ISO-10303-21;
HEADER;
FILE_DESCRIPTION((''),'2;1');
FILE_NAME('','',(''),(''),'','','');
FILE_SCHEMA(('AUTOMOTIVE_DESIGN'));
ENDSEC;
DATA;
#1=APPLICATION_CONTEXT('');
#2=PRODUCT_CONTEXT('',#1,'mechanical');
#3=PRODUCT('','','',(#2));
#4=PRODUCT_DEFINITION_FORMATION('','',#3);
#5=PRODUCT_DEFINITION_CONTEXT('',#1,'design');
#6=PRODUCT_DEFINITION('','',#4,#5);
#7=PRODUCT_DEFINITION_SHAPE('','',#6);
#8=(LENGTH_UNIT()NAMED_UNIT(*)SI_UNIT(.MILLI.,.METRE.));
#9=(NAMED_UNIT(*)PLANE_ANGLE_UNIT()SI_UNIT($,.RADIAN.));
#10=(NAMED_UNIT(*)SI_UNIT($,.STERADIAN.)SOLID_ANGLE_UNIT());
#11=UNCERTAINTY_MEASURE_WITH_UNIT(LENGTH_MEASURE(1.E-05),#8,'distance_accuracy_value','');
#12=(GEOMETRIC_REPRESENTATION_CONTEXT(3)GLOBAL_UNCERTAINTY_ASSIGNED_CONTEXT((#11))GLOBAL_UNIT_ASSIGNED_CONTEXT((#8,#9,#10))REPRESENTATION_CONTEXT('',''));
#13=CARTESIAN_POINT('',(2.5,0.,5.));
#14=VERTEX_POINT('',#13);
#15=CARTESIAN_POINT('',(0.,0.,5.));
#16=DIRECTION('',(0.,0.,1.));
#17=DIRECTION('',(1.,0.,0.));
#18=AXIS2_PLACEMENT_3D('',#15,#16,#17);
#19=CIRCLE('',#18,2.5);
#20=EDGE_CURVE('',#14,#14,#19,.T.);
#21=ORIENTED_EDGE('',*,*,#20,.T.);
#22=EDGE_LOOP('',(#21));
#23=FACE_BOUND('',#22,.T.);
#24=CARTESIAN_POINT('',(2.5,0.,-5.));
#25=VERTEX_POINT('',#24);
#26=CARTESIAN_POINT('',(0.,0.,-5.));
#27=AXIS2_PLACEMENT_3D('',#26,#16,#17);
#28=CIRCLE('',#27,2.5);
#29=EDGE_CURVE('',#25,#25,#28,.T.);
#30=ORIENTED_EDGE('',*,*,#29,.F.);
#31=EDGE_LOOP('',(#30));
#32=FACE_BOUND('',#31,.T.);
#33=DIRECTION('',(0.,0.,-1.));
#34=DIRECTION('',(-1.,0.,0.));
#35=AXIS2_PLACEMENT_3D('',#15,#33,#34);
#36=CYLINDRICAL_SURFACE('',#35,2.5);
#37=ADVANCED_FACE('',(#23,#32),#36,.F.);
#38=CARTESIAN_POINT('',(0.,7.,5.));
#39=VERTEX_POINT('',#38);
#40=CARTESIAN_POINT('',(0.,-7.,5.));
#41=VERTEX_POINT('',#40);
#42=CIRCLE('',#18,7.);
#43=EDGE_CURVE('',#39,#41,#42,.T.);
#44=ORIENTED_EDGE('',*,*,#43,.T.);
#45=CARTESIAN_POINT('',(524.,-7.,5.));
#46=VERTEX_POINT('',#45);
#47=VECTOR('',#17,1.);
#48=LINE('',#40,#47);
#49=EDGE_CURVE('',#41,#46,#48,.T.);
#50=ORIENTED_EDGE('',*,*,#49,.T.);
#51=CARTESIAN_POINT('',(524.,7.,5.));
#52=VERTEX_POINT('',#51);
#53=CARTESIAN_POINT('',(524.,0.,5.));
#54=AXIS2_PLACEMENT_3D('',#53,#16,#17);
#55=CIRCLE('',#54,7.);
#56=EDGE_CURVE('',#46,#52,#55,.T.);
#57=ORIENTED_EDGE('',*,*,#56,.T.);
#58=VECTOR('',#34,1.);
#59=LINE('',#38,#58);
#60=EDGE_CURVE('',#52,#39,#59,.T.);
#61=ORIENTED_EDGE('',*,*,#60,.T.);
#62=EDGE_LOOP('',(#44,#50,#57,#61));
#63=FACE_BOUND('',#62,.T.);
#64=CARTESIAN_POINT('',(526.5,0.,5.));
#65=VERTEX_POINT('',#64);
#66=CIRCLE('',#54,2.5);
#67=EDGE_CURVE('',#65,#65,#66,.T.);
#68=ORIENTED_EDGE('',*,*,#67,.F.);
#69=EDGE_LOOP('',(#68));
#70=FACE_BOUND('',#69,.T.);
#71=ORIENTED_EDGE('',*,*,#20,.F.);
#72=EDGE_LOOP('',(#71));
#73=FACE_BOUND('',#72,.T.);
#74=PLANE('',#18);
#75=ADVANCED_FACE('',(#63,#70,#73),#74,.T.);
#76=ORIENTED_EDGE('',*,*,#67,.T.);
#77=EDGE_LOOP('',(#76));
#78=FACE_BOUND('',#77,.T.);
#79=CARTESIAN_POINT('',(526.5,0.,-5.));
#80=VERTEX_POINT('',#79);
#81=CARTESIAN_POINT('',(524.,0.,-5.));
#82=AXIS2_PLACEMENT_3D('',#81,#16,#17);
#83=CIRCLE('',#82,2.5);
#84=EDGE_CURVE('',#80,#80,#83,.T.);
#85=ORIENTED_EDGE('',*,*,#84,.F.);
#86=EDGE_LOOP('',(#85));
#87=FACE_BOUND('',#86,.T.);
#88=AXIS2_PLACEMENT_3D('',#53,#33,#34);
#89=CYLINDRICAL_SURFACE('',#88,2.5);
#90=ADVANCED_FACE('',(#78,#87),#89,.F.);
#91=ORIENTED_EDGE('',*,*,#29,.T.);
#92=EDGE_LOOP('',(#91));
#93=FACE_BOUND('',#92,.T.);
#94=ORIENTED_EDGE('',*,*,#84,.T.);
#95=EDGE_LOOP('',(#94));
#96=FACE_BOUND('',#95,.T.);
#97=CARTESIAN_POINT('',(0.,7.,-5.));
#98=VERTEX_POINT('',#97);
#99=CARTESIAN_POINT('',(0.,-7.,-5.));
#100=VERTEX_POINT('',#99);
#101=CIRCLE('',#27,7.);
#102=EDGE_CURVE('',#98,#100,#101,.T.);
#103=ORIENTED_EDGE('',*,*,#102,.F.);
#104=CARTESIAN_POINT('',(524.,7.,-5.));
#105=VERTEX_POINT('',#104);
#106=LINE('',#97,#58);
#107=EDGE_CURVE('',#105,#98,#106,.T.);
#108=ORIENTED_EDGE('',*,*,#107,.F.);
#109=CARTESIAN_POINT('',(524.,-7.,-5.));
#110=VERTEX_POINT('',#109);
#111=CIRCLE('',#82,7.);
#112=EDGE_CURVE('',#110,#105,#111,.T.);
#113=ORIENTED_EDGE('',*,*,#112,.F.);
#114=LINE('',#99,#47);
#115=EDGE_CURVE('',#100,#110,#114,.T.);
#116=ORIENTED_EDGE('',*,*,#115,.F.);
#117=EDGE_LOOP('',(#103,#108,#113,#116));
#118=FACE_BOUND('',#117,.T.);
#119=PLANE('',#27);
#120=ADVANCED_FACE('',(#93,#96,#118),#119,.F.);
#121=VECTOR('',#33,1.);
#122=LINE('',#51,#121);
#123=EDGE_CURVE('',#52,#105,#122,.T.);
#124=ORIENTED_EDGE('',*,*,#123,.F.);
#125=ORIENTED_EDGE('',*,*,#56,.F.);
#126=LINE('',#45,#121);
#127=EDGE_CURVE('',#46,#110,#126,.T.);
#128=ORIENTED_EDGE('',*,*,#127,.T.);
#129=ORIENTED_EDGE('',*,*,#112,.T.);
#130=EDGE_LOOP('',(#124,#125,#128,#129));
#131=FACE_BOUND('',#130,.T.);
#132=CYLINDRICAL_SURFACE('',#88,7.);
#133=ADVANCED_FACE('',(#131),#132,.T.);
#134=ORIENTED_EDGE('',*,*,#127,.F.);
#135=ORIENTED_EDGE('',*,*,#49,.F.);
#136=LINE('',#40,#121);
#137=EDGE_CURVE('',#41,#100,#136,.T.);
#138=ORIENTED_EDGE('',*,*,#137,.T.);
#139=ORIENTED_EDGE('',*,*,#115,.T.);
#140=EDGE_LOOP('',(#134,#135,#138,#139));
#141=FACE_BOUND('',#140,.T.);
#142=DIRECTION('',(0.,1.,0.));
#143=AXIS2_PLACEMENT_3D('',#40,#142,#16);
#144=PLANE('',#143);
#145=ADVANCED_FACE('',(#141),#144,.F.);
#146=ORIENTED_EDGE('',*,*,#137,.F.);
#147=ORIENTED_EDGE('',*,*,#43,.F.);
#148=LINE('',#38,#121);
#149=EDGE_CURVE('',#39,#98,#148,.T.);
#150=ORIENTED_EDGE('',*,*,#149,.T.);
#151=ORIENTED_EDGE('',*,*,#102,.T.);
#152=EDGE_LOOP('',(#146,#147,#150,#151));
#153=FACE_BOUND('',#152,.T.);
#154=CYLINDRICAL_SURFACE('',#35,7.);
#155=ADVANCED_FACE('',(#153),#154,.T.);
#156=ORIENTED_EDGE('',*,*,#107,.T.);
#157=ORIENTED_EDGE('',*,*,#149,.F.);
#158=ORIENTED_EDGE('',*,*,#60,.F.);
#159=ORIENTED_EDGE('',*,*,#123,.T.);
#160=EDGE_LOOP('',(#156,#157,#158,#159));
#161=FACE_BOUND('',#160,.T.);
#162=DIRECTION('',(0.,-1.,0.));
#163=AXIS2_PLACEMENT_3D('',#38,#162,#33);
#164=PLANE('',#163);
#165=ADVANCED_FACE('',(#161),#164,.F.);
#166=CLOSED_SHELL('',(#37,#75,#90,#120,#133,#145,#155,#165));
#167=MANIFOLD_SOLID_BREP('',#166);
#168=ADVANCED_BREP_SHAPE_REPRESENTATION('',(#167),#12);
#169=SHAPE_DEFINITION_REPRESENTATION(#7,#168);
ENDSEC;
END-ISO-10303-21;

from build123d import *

# Parameters (mm, degrees)
SKETCH1_R           = 2.5
BOSS_EXTRUDE1_DEPTH = 5


with BuildPart() as part:
    # Sketch1 → Boss-Extrude1 (new body, symmetric)
    with BuildSketch(Plane.XY):
        with BuildLine():
            Line((0, 7), (524, 7))
            ThreePointArc((524, 7), (531, 0), (524, -7))
            Line((524, -7), (0, -7))
            ThreePointArc((0, -7), (-7, 0), (0, 7))
        make_face()
        Circle(SKETCH1_R, mode=Mode.SUBTRACT)
        with Locations((524, 0)):
            Circle(SKETCH1_R, mode=Mode.SUBTRACT)
    extrude(amount=BOSS_EXTRUDE1_DEPTH, both=True)


solid = part.part
